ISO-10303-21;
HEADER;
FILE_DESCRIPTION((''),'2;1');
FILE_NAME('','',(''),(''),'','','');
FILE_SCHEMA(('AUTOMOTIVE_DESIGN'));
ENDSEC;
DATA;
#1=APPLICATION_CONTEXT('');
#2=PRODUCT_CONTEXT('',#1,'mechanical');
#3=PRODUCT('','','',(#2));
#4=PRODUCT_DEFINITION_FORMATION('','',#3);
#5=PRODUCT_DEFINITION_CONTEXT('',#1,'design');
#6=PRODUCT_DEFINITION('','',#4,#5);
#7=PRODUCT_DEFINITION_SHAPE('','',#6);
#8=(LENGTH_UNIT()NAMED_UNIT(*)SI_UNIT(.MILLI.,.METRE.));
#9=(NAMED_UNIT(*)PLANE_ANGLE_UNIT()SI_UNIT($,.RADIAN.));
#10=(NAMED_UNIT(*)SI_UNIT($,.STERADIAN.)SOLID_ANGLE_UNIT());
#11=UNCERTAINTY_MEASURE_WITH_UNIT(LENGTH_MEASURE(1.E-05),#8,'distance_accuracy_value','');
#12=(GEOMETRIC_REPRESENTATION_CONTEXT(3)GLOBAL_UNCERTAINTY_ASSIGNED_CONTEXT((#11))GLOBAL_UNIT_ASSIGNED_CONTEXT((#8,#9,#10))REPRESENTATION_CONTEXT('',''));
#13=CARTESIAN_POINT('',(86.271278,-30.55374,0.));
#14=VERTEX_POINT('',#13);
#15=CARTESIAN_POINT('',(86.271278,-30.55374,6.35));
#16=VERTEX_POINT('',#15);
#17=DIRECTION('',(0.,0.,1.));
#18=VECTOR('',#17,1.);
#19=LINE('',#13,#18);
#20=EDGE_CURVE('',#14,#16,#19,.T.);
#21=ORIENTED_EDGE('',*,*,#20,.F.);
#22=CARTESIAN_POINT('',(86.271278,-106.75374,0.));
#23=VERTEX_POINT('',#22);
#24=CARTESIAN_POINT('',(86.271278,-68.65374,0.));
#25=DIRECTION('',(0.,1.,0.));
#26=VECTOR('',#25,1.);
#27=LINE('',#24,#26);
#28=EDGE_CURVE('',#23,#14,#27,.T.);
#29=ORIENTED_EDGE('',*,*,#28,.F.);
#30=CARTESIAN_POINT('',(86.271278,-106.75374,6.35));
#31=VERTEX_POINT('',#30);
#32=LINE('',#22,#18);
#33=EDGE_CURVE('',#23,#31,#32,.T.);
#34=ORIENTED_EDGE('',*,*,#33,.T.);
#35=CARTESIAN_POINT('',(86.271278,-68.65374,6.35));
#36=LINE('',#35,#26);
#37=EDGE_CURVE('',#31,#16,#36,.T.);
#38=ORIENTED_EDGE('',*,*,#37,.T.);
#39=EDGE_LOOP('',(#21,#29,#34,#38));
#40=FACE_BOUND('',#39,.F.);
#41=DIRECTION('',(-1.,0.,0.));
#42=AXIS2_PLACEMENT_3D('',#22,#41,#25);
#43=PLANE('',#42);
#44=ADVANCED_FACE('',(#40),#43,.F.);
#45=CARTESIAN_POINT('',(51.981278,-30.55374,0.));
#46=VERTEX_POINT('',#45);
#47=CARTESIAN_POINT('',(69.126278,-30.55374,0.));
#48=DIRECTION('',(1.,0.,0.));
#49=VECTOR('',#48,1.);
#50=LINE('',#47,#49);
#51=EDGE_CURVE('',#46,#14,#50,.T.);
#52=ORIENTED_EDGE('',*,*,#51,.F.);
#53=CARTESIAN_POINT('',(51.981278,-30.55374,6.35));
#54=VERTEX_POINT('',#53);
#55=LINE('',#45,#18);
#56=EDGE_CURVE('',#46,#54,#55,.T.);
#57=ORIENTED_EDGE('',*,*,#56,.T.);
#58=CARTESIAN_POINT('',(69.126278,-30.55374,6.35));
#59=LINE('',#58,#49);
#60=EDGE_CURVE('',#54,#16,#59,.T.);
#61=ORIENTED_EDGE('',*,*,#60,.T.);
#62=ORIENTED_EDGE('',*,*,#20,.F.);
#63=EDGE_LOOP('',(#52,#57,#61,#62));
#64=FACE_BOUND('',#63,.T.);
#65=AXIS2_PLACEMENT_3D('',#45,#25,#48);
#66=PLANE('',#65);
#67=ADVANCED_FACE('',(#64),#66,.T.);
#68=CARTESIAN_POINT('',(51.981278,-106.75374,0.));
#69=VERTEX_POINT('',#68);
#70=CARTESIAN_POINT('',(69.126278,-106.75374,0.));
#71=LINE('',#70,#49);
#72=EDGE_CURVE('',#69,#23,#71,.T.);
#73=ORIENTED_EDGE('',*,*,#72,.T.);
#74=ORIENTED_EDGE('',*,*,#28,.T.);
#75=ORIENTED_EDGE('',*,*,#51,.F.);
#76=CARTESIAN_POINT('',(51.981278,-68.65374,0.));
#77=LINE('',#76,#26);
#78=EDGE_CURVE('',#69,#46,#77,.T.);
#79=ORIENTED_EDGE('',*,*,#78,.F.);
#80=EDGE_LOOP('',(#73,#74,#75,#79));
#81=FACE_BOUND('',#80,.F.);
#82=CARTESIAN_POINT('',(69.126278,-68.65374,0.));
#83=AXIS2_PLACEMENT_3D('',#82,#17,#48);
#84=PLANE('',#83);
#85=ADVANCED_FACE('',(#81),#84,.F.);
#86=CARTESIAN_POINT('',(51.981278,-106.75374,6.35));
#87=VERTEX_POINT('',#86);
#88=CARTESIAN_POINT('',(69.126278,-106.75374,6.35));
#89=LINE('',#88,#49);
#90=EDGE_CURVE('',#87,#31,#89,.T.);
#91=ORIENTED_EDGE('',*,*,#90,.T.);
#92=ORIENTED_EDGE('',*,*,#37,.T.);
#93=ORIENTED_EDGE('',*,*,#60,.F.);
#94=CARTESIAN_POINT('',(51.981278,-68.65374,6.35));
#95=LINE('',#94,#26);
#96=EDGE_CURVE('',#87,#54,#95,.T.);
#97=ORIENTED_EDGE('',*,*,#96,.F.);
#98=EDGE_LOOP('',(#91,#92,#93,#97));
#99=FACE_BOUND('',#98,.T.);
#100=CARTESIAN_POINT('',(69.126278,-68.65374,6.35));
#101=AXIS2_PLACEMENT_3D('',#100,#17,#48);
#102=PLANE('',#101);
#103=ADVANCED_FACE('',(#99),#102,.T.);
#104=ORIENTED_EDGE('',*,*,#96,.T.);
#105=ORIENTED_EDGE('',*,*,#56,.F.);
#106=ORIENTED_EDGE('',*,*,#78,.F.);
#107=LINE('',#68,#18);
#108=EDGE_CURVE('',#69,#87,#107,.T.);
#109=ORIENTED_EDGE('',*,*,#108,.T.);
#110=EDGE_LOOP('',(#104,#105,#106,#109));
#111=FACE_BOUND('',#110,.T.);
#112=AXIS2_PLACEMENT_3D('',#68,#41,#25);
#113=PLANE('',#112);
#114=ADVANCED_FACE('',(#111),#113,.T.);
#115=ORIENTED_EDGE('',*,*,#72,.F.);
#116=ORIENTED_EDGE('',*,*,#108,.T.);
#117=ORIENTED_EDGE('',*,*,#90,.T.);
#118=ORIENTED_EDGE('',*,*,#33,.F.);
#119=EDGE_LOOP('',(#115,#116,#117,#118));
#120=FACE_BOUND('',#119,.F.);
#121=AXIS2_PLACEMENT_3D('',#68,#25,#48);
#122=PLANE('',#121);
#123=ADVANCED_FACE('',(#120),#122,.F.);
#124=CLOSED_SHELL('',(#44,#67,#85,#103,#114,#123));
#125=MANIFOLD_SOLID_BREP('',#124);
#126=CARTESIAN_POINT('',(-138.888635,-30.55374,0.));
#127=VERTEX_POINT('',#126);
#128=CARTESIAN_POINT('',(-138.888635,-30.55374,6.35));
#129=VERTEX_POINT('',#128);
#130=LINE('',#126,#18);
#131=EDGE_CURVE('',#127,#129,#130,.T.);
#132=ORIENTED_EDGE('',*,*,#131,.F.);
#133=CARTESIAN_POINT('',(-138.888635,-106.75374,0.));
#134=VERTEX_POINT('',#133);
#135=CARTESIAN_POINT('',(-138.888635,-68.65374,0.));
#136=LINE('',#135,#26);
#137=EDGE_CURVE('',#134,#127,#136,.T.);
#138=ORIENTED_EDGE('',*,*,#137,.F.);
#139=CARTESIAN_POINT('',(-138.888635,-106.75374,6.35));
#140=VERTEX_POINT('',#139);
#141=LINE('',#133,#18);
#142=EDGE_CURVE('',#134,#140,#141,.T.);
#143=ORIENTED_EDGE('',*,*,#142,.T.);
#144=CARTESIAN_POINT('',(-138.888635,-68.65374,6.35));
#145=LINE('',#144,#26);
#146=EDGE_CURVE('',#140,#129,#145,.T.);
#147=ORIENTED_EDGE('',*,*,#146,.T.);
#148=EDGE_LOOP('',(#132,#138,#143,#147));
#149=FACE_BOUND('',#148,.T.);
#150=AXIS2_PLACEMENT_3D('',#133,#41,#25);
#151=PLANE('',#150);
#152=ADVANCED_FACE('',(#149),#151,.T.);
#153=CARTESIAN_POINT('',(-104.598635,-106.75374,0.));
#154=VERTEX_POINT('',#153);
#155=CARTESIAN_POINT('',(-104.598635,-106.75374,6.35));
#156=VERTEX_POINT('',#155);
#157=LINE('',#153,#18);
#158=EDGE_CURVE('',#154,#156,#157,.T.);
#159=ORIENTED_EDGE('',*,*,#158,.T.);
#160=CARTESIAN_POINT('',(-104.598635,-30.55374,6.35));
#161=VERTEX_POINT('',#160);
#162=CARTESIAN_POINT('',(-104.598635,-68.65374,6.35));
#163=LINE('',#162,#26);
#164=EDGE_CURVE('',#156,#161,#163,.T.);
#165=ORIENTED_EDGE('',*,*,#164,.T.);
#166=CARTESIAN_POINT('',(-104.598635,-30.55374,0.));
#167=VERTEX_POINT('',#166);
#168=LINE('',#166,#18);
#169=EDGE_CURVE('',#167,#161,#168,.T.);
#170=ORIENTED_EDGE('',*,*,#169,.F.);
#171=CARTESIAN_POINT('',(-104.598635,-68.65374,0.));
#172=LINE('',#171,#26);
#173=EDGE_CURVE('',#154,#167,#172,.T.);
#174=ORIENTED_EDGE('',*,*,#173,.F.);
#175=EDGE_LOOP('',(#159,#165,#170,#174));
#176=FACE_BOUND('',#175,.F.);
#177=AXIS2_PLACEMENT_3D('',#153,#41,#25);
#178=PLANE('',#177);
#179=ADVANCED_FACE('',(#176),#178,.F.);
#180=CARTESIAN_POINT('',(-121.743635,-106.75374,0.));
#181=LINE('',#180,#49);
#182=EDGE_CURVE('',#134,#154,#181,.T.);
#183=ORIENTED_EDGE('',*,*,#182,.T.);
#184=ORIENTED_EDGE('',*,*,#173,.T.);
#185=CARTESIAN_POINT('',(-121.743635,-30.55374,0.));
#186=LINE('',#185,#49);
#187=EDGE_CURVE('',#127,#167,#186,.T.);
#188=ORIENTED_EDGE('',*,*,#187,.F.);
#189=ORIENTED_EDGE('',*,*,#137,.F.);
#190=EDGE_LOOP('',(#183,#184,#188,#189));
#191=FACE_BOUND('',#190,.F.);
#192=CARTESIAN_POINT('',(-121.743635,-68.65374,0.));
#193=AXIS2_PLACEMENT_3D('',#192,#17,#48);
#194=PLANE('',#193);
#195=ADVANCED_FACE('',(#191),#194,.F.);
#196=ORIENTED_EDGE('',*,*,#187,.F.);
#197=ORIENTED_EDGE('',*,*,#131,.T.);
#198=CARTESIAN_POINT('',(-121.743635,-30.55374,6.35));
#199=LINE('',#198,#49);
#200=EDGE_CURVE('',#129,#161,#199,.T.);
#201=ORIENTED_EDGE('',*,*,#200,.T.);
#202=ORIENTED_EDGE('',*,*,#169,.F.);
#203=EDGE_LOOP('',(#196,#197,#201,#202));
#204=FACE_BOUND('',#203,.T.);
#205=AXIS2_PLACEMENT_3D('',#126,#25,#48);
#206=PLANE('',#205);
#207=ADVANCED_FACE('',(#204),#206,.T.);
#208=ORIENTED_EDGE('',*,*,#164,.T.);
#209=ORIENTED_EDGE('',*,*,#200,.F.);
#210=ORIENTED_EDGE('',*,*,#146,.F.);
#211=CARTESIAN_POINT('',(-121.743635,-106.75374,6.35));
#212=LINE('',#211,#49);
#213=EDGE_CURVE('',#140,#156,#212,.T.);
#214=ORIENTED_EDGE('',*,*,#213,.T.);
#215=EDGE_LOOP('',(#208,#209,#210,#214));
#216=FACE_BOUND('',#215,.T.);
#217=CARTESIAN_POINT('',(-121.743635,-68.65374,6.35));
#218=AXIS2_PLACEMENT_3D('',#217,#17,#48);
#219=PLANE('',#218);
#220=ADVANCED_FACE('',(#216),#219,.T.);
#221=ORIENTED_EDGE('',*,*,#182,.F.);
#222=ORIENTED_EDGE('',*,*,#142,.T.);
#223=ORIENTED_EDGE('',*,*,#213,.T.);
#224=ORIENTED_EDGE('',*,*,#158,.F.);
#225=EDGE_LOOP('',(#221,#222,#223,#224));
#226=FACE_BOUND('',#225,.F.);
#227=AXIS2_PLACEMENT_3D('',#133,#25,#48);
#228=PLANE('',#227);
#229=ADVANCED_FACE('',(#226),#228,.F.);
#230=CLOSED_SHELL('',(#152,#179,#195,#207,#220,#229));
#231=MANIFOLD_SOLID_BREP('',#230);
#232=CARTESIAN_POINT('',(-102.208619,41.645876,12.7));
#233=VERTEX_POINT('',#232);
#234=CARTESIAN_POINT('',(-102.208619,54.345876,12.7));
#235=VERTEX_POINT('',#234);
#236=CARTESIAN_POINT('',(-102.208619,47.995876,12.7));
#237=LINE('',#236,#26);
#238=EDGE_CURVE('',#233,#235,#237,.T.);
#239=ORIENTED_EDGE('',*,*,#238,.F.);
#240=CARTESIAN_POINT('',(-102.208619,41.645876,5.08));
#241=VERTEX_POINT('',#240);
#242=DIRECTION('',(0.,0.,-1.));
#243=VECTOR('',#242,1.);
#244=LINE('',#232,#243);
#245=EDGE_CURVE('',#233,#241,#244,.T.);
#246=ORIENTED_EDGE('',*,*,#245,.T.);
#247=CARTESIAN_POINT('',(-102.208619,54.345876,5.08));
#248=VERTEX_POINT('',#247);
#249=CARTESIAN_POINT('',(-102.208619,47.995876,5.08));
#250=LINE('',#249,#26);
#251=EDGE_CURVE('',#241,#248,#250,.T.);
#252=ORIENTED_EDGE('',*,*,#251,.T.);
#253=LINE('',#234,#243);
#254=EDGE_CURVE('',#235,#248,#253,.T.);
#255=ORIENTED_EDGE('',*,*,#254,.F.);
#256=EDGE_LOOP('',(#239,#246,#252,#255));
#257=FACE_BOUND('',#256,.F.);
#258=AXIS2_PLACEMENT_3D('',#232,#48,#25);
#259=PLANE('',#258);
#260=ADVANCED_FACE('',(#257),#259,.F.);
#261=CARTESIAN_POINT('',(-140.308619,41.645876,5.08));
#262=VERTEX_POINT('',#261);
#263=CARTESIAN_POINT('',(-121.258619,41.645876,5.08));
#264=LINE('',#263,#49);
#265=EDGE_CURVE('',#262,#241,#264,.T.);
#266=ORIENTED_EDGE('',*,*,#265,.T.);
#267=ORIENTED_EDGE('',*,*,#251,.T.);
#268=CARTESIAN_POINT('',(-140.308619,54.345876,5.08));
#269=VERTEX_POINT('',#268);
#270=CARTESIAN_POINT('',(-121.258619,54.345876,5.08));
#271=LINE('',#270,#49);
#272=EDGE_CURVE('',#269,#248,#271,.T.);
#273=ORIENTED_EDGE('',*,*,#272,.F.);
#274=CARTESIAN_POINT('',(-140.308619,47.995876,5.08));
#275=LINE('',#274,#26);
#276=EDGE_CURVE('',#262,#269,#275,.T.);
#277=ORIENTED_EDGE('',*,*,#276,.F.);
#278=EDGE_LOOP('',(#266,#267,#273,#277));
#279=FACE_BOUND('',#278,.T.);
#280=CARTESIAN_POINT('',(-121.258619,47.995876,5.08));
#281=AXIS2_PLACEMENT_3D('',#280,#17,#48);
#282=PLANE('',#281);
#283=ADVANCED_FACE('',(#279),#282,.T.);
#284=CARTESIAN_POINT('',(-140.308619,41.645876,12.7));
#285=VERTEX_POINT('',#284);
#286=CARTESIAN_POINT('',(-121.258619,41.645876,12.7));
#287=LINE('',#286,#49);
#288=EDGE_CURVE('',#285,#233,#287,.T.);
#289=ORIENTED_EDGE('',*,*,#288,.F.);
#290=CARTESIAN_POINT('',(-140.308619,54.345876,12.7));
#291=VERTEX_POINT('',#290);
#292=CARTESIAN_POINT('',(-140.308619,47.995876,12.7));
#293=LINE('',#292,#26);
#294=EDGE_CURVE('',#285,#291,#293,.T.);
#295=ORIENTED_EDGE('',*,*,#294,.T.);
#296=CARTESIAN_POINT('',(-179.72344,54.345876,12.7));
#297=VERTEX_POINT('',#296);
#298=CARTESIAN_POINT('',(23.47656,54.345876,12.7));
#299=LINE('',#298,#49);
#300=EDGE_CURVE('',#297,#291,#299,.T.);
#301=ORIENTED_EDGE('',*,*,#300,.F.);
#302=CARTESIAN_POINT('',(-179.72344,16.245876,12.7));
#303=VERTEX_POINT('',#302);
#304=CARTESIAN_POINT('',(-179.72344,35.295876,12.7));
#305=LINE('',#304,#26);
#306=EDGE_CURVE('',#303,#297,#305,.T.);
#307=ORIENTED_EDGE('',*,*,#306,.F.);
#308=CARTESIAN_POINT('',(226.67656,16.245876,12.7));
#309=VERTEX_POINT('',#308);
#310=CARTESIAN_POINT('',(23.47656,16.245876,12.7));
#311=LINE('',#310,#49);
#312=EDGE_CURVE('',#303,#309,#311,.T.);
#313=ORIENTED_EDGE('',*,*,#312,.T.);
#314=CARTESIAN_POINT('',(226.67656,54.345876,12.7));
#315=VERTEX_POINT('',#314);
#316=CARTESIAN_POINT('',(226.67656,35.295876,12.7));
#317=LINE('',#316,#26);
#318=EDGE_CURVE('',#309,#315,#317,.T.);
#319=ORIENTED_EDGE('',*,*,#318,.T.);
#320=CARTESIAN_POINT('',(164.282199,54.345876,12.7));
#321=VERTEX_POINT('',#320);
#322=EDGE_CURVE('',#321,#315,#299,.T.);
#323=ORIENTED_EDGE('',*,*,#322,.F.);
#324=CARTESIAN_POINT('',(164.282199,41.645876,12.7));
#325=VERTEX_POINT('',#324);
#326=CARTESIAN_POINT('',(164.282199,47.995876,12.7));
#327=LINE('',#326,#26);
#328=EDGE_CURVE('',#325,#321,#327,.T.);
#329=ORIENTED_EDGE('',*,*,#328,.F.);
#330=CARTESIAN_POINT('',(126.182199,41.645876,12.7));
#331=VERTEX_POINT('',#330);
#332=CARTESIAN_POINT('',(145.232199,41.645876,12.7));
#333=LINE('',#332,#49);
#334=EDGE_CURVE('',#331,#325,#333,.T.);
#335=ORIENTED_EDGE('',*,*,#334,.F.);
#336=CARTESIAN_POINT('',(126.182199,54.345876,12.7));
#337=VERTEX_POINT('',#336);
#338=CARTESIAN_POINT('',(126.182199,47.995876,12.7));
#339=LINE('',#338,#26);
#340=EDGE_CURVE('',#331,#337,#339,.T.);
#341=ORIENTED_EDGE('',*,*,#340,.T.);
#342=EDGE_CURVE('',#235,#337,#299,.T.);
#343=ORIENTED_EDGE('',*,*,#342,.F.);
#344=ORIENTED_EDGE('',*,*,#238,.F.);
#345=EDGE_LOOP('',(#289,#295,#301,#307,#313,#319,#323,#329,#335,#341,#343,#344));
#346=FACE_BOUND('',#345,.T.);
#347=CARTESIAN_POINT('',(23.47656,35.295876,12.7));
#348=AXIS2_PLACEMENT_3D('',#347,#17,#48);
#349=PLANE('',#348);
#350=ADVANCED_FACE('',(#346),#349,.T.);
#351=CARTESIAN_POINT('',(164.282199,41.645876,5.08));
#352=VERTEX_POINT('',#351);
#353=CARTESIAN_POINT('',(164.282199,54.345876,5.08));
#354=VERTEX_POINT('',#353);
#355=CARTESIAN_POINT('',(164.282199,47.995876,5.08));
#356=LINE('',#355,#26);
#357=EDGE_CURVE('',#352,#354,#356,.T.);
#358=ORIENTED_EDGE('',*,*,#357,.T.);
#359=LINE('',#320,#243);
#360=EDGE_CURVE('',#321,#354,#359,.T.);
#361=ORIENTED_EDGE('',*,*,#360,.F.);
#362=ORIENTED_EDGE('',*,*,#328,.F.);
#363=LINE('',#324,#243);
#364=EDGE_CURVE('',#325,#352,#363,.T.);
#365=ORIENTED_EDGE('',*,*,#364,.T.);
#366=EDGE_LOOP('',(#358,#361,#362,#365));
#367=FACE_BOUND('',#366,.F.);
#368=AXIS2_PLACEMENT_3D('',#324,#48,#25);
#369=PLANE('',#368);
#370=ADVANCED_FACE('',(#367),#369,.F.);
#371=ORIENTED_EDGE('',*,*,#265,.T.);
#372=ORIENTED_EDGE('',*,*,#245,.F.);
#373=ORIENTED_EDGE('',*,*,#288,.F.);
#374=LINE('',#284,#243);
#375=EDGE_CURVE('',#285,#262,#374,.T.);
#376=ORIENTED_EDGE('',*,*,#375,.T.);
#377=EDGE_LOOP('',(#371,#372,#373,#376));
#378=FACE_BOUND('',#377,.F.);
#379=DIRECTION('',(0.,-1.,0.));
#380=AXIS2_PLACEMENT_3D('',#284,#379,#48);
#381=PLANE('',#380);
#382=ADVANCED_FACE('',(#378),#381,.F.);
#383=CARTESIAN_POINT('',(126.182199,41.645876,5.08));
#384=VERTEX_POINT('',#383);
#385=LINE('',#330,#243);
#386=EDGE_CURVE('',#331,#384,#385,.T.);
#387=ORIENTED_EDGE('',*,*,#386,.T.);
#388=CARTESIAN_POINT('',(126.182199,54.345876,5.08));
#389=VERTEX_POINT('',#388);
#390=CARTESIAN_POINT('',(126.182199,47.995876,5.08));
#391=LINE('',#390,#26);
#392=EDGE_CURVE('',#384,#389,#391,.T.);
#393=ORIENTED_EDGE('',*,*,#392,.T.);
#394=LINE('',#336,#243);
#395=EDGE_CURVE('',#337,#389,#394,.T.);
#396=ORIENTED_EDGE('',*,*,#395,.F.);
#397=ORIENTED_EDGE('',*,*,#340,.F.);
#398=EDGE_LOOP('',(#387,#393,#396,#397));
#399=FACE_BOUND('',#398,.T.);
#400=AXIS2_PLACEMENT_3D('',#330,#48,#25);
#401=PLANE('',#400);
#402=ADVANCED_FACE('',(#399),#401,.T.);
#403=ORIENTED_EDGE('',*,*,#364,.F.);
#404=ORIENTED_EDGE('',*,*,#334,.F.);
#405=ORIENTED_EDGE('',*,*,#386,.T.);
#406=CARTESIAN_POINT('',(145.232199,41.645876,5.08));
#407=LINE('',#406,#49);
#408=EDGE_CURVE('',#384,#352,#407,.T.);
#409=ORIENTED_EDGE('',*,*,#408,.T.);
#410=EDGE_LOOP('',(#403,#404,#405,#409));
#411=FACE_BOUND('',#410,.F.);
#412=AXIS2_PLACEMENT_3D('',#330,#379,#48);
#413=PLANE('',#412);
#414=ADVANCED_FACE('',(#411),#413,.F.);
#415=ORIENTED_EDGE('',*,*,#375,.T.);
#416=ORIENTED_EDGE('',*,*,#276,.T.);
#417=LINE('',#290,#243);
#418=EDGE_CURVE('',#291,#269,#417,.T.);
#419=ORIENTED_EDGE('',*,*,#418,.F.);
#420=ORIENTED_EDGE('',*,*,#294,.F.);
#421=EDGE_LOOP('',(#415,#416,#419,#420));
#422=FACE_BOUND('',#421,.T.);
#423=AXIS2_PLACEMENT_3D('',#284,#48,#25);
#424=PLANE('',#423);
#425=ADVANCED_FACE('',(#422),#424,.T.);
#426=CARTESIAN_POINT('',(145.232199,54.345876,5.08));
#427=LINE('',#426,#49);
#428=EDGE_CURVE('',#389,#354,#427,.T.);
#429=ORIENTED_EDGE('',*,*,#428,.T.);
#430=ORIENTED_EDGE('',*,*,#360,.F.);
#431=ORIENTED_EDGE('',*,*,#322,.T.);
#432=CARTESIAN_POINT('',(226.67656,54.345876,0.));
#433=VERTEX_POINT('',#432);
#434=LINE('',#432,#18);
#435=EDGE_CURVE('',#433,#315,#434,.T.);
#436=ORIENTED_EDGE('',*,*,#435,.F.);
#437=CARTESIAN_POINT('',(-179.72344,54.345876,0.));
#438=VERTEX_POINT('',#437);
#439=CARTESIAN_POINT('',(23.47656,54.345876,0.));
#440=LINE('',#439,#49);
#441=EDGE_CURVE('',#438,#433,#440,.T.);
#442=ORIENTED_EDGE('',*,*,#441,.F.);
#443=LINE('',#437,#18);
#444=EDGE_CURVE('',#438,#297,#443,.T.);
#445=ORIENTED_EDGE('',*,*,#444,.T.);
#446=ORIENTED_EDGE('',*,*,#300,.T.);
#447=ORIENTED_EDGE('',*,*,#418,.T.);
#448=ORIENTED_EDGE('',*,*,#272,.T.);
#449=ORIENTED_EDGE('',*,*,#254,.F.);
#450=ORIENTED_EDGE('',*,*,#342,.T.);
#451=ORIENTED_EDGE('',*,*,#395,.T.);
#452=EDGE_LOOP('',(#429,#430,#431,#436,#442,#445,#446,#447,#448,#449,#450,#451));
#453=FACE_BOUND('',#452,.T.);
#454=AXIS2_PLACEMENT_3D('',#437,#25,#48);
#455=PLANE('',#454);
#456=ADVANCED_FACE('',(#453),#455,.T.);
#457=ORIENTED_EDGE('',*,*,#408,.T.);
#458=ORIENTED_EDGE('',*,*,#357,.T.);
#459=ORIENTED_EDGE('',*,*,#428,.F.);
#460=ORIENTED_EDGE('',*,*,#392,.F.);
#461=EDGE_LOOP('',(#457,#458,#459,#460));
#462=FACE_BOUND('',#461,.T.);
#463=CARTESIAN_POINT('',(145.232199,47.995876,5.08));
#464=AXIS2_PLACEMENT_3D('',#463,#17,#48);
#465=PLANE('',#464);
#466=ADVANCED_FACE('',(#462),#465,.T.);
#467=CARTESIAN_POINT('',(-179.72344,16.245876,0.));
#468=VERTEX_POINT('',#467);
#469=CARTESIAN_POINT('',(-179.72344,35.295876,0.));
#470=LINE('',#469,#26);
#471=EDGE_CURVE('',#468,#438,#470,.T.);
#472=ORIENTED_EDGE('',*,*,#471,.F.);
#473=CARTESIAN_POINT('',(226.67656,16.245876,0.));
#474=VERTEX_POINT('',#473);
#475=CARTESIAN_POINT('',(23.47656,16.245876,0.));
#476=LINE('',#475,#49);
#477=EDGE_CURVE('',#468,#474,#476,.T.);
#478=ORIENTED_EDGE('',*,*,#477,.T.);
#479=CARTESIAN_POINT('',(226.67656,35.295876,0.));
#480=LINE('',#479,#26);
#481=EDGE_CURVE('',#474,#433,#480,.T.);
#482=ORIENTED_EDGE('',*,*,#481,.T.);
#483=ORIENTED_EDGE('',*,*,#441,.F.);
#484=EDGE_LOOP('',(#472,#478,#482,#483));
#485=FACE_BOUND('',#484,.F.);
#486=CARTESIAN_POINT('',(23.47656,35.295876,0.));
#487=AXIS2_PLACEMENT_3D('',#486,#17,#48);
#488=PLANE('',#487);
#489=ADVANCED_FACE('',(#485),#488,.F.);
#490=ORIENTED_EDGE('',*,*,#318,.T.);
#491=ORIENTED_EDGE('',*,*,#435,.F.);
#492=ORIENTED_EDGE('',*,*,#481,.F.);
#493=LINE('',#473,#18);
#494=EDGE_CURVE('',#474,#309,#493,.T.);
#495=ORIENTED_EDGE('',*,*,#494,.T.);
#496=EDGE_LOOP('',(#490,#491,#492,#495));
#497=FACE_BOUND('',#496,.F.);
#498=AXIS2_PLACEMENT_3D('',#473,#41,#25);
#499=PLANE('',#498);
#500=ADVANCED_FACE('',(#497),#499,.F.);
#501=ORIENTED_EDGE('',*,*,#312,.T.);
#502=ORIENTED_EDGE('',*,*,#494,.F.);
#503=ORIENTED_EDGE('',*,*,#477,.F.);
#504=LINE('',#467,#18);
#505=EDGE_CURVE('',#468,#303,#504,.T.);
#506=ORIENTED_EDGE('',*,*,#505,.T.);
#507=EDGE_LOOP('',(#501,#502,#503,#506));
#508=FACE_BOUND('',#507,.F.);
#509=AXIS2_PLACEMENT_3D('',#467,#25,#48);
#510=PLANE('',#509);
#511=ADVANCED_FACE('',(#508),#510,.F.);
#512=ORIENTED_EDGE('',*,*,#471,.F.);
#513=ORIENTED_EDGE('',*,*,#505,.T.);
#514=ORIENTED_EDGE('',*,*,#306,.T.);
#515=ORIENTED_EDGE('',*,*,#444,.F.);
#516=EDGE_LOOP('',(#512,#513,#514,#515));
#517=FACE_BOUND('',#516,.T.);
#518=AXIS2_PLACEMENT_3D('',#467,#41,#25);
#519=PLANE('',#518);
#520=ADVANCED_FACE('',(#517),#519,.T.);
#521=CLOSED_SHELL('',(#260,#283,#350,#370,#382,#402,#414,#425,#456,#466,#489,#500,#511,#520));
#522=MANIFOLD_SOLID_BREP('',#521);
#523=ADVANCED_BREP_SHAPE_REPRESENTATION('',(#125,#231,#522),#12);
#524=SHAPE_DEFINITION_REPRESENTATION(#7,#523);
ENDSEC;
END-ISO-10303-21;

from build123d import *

# Parameters (mm, degrees)
F0_W     = 406.4
F0_H     = 38.1
F1_DEPTH = 12.7
F2_W     = 38.1
F2_H     = 12.7
F3_DEPTH = 7.62
F4_W     = 34.29
F4_H     = 76.2
F5_DEPTH = 6.35


with BuildPart() as f1:
    # F0 (on Top) → F1 (new body)
    with BuildSketch(Plane.XY):
        with Locations((23.47656, 35.295876)):
            Rectangle(F0_W, F0_H)
    extrude(amount=F1_DEPTH)

    # F2 (on face) → F3 (cut)
    with BuildSketch(Plane.XY.offset(12.7)):
        with Locations((-121.258619, 47.995876)):
            Rectangle(F2_W, F2_H)
        with Locations((145.232199, 47.995876)):
            Rectangle(F2_W, F2_H)
    extrude(amount=-F3_DEPTH, mode=Mode.SUBTRACT)


with BuildPart() as f5:
    # F4 (on Top) → F5 (new body)
    with BuildSketch(Plane.XY):
        with Locations((-121.743635, -68.65374)):
            Rectangle(F4_W, F4_H)
        with Locations((69.126278, -68.65374)):
            Rectangle(F4_W, F4_H)
    extrude(amount=F5_DEPTH)


solid = Compound([f1.part, f5.part])
